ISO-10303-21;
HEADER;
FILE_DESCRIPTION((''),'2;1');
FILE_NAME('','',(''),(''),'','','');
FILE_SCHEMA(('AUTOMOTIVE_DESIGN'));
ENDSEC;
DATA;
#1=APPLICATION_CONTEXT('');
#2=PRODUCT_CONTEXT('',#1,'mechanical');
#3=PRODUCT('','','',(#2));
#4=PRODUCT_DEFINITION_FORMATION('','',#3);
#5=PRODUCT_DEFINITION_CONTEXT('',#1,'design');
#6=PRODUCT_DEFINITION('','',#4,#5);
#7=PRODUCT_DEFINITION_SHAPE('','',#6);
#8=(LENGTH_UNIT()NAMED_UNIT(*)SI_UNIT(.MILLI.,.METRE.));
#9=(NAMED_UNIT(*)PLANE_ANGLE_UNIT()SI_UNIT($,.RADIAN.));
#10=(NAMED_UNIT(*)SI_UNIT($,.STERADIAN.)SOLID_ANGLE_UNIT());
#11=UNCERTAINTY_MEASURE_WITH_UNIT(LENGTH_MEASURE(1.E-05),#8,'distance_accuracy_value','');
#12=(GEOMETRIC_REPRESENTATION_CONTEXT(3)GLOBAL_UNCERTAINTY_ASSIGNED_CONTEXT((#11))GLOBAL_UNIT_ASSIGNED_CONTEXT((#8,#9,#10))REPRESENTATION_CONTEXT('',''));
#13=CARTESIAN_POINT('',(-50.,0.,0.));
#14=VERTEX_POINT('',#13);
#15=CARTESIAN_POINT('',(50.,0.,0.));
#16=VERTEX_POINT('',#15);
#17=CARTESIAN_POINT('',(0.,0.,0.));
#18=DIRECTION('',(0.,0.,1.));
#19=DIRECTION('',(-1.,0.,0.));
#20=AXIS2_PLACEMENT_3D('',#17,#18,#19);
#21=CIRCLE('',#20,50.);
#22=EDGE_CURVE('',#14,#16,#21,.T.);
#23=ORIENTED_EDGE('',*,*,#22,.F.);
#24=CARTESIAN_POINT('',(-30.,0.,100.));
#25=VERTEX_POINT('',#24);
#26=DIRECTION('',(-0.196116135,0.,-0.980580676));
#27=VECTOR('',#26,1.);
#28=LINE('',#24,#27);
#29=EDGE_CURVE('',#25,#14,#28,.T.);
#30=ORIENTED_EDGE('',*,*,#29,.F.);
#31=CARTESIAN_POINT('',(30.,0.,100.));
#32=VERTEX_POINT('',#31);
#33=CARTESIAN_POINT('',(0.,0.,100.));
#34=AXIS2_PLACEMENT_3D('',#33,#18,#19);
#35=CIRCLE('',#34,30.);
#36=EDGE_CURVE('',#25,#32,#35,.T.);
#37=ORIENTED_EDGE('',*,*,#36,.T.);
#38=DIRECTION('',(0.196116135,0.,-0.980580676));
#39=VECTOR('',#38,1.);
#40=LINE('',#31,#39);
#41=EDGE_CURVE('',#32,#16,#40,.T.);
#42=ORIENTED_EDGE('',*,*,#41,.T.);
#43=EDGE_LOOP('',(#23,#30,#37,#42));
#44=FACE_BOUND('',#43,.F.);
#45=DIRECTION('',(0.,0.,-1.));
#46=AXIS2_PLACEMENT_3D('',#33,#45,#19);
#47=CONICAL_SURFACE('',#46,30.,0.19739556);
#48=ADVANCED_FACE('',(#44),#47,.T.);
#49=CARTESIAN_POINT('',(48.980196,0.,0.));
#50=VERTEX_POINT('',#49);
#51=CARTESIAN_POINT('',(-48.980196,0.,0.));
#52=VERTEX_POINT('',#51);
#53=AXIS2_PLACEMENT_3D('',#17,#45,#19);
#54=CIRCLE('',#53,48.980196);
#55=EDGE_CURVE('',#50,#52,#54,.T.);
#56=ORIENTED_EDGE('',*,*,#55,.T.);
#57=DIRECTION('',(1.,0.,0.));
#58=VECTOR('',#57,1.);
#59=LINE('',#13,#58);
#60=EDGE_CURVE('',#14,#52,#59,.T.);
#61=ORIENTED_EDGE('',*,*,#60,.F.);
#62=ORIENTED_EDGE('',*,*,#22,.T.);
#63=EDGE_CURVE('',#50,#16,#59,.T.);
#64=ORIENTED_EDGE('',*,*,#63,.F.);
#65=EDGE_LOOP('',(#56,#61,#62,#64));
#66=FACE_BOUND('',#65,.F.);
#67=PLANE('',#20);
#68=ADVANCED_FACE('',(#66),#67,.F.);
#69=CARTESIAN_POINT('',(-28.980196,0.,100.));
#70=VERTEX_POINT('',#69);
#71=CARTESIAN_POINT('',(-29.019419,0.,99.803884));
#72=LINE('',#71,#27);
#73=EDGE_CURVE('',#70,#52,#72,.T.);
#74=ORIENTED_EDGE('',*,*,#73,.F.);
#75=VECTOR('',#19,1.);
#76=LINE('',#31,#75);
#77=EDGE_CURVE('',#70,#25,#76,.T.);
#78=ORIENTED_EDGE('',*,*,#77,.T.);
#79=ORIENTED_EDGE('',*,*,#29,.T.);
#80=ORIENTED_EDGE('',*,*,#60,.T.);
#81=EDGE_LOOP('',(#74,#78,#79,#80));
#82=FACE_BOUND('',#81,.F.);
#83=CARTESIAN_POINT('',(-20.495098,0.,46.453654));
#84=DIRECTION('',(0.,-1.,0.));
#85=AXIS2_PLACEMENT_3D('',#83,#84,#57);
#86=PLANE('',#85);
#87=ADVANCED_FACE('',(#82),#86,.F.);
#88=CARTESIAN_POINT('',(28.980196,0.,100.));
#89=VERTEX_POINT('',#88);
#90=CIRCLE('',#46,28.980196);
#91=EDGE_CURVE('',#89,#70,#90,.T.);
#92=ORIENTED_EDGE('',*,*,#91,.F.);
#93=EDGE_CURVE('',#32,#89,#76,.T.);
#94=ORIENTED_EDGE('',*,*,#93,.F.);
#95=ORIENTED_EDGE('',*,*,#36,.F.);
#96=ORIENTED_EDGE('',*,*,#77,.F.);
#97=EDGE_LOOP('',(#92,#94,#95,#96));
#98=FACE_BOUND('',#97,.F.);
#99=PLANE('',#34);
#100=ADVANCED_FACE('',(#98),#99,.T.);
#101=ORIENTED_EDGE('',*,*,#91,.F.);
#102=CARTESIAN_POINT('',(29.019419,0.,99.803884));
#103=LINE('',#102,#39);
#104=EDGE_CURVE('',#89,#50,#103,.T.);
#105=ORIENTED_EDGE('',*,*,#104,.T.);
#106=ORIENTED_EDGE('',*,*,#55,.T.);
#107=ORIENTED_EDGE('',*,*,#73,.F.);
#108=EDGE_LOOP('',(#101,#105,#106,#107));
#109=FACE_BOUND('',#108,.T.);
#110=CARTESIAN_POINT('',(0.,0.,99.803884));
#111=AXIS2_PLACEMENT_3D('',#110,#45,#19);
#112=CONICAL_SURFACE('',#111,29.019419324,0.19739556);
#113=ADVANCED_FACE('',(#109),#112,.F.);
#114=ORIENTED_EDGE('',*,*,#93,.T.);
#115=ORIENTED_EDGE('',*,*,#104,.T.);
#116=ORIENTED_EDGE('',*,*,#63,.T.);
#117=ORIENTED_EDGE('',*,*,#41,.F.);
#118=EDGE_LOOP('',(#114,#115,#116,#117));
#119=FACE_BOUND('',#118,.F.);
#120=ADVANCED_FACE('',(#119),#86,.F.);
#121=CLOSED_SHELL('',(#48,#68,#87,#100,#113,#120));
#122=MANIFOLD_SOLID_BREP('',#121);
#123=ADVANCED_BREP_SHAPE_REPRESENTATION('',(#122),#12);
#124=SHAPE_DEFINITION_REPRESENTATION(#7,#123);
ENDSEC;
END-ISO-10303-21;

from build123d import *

# Parameters (mm, degrees)
F1_ANGLE = 180
F2_T     = -1


with BuildPart() as f1:
    # F0 (on Front) → F1 (revolve)
    with BuildSketch(Plane.XZ):
        Polygon((-50, 0), (0, 0), (0, 100), (-30, 100), align=None)
    revolve(axis=Axis((0, 0, 50), (0, 0, 1)), revolution_arc=F1_ANGLE)

    # F2
    f2_openings = [f1.faces().sort_by_distance(p)[0] for p in [
        (0, -12.732395, 100),
        (0, 0, 45.833333),
        (0, -21.220659, 0),
    ]]
    offset(amount=F2_T, openings=f2_openings)


solid = f1.part
